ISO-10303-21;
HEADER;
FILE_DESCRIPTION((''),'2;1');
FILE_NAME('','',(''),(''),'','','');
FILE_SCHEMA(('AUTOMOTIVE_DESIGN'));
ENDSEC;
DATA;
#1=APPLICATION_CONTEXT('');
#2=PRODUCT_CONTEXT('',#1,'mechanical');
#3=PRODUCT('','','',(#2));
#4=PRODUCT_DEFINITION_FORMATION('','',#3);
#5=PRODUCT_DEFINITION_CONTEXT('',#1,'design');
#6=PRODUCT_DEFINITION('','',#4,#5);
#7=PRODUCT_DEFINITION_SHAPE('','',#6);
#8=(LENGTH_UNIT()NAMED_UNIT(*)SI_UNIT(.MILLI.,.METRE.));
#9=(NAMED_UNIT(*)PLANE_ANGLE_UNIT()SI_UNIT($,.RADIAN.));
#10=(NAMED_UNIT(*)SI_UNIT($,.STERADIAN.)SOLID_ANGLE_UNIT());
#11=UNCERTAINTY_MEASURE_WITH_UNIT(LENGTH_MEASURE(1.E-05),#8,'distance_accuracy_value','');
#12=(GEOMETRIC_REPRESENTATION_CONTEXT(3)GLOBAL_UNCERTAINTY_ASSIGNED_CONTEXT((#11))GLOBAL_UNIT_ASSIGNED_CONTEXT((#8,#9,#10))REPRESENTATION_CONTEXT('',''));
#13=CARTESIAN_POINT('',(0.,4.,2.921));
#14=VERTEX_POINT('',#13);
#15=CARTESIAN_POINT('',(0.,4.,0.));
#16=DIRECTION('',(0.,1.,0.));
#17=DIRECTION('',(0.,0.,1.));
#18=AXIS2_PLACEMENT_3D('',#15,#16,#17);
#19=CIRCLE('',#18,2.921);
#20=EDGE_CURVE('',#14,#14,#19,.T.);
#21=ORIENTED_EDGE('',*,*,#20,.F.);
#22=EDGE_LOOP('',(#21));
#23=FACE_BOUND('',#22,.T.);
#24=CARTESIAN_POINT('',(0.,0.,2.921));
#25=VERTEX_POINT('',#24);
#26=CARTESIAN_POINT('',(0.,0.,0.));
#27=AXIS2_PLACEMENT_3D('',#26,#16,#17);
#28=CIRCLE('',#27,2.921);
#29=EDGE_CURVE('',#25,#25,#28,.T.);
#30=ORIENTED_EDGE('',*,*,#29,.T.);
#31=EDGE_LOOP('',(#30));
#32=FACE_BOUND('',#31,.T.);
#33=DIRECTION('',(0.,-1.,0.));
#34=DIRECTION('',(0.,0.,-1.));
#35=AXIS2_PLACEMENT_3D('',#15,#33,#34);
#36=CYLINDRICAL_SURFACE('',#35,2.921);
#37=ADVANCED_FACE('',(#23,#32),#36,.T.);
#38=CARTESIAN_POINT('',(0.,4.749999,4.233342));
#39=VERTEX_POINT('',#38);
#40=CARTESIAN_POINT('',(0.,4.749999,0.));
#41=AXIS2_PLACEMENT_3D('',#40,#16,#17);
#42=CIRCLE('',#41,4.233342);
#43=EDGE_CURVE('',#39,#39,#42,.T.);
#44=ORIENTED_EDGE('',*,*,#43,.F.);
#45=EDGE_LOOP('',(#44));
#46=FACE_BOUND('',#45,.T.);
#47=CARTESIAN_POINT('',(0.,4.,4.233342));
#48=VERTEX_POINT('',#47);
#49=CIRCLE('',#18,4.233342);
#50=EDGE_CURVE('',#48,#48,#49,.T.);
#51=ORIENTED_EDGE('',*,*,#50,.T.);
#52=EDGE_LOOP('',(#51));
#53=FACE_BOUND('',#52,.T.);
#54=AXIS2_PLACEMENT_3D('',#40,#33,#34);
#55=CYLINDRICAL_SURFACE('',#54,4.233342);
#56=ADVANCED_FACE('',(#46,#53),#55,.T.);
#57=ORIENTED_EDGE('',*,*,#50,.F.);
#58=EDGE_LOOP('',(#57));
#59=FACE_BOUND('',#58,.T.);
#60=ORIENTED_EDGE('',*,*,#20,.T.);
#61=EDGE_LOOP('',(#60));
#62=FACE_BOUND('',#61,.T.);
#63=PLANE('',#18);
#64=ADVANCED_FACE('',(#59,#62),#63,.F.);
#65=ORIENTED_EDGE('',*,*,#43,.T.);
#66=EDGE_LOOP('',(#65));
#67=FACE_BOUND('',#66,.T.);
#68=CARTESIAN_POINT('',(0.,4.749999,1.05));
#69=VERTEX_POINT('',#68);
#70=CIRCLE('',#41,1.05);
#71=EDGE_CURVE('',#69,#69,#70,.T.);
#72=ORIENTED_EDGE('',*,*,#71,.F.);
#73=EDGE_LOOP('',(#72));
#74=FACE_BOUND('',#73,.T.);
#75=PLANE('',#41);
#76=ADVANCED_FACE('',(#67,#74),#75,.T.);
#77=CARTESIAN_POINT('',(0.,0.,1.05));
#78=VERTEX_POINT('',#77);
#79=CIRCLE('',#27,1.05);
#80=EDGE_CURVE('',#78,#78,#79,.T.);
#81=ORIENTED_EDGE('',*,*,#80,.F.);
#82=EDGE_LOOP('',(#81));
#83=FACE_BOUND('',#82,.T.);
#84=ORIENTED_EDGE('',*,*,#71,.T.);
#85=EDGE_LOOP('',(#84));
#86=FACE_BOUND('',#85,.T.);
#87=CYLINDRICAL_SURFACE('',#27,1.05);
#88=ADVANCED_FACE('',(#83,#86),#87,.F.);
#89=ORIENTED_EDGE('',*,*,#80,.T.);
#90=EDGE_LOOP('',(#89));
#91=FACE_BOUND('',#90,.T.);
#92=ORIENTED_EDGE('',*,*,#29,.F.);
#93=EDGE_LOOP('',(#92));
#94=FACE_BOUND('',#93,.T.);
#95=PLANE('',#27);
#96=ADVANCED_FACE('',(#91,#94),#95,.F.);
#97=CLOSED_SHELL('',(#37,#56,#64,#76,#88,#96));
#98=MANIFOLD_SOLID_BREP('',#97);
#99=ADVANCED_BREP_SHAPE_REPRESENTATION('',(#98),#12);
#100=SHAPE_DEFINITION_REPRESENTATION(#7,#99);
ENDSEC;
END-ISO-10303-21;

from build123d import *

# Parameters (mm, degrees)
SKETCH1_R           = 2.921
BOSS_EXTRUDE1_DEPTH = 4.000000128
SKETCH2_R           = 4.2333418
BOSS_EXTRUDE2_DEPTH = 0.7499985
SKETCH3_R           = 1.05
CUT_EXTRUDE1_DEPTH  = 8.642306756


with BuildPart() as part:
    # Sketch1 → Boss-Extrude1 (new body)
    with BuildSketch(Plane(origin=(0, 0, 0), x_dir=(1, 0, 0), z_dir=(0, 1, 0))):
        with Locations(Location((0, 0, 0), (0, 0, 270))):
            Circle(SKETCH1_R)
    extrude(amount=BOSS_EXTRUDE1_DEPTH)

    # Sketch2 → Boss-Extrude2 (add)
    with BuildSketch(Plane(origin=(0, 4.000000128, 0), x_dir=(1, 0, 0), z_dir=(0, 1, 0))):
        with Locations(Location((0, 0, 0), (0, 0, 270))):
            Circle(SKETCH2_R)
    extrude(amount=BOSS_EXTRUDE2_DEPTH)

    # Sketch3 → Cut-Extrude1 (cut, through all)
    with BuildSketch(Plane(origin=(0, 4.749998628, 0), x_dir=(1, 0, 0), z_dir=(0, 1, 0))):
        with Locations(Location((0, 0, 0), (0, 0, 270))):
            Circle(SKETCH3_R)
    extrude(amount=-CUT_EXTRUDE1_DEPTH, mode=Mode.SUBTRACT)


solid = part.part
